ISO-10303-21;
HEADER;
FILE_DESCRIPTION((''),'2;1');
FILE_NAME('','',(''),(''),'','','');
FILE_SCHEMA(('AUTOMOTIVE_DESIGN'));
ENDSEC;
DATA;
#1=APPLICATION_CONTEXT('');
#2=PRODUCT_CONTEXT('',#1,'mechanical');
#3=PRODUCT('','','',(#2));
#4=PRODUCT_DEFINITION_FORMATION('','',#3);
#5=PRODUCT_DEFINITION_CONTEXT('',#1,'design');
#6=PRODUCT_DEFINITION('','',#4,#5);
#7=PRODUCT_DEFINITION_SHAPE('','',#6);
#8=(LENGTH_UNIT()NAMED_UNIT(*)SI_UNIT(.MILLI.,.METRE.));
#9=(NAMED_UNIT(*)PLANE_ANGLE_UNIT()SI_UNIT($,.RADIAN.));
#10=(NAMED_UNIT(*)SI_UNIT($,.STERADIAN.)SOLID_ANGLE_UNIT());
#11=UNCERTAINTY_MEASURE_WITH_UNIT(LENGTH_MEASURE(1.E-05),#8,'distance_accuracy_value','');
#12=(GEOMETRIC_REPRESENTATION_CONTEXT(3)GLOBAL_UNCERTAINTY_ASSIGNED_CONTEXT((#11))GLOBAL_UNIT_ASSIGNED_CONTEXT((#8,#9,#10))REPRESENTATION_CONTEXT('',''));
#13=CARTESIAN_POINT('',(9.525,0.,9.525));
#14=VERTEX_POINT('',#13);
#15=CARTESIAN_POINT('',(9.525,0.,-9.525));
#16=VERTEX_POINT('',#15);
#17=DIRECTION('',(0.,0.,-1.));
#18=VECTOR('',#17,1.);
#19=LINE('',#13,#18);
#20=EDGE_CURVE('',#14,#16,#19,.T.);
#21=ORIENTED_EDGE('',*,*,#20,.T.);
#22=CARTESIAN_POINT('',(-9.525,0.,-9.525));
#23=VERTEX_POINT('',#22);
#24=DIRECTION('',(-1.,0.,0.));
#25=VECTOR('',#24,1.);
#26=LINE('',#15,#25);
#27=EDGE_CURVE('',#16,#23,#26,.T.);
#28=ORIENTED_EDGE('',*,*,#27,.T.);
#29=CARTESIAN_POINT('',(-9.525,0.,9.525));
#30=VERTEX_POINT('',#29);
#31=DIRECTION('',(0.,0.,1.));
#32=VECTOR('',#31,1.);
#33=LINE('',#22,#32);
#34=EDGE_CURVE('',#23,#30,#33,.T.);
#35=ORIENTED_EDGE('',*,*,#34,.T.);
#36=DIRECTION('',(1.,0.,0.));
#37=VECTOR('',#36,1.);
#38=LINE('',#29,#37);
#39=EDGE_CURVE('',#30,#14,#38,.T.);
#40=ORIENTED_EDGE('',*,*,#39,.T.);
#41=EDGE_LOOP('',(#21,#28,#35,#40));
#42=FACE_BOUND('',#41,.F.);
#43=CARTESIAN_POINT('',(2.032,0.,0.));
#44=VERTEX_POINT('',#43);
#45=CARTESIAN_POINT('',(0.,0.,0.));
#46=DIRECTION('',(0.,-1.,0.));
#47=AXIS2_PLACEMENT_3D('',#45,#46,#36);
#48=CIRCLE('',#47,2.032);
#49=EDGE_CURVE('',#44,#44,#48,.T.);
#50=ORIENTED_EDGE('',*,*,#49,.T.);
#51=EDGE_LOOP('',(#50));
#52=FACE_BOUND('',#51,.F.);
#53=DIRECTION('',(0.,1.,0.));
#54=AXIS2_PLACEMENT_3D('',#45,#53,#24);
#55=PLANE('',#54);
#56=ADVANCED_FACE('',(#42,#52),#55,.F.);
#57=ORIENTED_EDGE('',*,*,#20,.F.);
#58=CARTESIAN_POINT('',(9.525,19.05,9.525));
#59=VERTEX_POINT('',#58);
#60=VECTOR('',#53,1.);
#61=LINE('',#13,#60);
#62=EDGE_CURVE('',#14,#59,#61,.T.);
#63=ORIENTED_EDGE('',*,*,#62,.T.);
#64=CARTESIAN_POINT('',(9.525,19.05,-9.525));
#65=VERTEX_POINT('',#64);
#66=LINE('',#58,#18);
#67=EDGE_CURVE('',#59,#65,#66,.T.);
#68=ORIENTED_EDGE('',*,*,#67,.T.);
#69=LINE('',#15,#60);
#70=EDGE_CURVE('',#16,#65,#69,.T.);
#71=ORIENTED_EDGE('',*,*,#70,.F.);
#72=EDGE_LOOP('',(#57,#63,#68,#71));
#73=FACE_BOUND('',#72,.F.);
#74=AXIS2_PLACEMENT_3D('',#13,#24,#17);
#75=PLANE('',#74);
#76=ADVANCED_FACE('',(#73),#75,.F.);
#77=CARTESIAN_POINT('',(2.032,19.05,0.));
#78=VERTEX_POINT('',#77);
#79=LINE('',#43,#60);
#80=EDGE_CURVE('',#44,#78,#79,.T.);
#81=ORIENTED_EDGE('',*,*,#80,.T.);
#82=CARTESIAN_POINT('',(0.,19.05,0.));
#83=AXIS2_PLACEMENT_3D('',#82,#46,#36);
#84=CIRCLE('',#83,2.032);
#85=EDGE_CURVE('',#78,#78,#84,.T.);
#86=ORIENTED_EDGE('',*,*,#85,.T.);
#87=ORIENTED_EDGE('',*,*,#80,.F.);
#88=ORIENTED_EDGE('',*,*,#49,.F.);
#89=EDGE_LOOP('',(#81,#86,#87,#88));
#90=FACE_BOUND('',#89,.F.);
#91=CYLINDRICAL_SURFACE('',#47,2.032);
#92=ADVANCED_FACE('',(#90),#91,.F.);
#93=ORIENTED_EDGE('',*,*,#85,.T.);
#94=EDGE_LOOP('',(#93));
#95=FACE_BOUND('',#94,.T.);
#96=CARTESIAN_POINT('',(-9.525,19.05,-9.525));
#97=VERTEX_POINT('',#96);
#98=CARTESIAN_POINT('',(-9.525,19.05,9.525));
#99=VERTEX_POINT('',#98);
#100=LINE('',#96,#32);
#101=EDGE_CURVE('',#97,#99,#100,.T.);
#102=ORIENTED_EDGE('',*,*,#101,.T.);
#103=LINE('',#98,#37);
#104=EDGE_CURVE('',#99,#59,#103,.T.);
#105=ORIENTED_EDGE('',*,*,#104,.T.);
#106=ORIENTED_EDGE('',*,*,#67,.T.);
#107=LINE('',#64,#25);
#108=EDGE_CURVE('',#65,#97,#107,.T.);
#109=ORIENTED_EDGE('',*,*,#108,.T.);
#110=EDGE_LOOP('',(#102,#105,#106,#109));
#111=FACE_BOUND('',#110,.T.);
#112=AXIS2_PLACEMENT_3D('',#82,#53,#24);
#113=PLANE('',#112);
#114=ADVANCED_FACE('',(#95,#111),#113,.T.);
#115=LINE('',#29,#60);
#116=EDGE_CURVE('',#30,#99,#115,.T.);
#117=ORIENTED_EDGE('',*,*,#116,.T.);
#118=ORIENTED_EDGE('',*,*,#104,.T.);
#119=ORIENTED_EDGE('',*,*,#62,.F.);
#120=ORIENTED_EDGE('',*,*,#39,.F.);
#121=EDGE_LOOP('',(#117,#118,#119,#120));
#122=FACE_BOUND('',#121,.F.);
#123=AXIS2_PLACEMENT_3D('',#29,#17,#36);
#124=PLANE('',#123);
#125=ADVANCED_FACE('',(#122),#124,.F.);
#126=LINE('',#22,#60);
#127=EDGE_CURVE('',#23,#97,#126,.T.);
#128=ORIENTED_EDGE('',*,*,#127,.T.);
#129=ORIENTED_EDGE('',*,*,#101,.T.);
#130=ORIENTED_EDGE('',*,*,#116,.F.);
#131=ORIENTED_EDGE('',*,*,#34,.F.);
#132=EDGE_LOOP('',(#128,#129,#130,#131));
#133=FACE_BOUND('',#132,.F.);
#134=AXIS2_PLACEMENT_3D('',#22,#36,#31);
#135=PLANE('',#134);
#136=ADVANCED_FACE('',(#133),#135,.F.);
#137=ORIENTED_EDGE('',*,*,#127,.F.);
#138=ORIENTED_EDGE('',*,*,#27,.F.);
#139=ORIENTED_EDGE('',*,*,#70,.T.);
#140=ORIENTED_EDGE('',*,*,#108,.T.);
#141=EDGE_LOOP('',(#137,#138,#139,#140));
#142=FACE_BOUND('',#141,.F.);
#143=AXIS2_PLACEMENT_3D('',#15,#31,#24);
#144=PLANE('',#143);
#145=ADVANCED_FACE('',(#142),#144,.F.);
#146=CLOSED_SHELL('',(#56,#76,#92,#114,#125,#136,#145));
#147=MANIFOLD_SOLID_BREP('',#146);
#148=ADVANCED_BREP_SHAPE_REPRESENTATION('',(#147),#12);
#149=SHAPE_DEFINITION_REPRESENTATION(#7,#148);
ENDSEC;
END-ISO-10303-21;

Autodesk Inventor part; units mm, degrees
ref_plane "YZ Plane" through (0, 0, 0) normal (1, 0, 0) x (0, 1, 0)
ref_plane "XZ Plane" through (0, 0, 0) normal (0, 1, 0) x (-1, 0, 0)
ref_plane "XY Plane" through (0, 0, 0) normal (0, 0, 1) x (1, 0, 0)
sketch "Sketch1" plane through (0, 0, 0) normal (0, 1, 0) x (-1, 0, 0)
  line L0 (-9.525, -9.525) -> (9.525, -9.525)
  line L1 (9.525, -9.525) -> (9.525, 9.525)
  line L2 (9.525, 9.525) -> (-9.525, 9.525)
  line L3 (-9.525, 9.525) -> (-9.525, -9.525)
  line L4 (-9.525, -9.525) -> (9.525, 9.525) construction
  line L5 (9.525, -9.525) -> (-9.525, 9.525) construction
  point P0 (0, 0)
  dimension "d0" = 19.05
  dimension "d1" = 19.05
extrude "Extrusion1" add sketch "Sketch1" along normal blind 19.05
sketch "Sketch2" plane through (0, 0, 0) normal (0, -1, 0) x (1, 0, 0)
  circle A0 centre (0, 0) radius 2.032
  dimension "d4" = 4.064
extrude "Extrusion2" cut sketch "Sketch2" against normal blind 38.1
thread "Thread1" size "10-32 UNF" class "2B" standard "ANSI Unified Screw Threads" full length
properties part number "STRU_001_BilletBlock" material "Aluminum 6061"
